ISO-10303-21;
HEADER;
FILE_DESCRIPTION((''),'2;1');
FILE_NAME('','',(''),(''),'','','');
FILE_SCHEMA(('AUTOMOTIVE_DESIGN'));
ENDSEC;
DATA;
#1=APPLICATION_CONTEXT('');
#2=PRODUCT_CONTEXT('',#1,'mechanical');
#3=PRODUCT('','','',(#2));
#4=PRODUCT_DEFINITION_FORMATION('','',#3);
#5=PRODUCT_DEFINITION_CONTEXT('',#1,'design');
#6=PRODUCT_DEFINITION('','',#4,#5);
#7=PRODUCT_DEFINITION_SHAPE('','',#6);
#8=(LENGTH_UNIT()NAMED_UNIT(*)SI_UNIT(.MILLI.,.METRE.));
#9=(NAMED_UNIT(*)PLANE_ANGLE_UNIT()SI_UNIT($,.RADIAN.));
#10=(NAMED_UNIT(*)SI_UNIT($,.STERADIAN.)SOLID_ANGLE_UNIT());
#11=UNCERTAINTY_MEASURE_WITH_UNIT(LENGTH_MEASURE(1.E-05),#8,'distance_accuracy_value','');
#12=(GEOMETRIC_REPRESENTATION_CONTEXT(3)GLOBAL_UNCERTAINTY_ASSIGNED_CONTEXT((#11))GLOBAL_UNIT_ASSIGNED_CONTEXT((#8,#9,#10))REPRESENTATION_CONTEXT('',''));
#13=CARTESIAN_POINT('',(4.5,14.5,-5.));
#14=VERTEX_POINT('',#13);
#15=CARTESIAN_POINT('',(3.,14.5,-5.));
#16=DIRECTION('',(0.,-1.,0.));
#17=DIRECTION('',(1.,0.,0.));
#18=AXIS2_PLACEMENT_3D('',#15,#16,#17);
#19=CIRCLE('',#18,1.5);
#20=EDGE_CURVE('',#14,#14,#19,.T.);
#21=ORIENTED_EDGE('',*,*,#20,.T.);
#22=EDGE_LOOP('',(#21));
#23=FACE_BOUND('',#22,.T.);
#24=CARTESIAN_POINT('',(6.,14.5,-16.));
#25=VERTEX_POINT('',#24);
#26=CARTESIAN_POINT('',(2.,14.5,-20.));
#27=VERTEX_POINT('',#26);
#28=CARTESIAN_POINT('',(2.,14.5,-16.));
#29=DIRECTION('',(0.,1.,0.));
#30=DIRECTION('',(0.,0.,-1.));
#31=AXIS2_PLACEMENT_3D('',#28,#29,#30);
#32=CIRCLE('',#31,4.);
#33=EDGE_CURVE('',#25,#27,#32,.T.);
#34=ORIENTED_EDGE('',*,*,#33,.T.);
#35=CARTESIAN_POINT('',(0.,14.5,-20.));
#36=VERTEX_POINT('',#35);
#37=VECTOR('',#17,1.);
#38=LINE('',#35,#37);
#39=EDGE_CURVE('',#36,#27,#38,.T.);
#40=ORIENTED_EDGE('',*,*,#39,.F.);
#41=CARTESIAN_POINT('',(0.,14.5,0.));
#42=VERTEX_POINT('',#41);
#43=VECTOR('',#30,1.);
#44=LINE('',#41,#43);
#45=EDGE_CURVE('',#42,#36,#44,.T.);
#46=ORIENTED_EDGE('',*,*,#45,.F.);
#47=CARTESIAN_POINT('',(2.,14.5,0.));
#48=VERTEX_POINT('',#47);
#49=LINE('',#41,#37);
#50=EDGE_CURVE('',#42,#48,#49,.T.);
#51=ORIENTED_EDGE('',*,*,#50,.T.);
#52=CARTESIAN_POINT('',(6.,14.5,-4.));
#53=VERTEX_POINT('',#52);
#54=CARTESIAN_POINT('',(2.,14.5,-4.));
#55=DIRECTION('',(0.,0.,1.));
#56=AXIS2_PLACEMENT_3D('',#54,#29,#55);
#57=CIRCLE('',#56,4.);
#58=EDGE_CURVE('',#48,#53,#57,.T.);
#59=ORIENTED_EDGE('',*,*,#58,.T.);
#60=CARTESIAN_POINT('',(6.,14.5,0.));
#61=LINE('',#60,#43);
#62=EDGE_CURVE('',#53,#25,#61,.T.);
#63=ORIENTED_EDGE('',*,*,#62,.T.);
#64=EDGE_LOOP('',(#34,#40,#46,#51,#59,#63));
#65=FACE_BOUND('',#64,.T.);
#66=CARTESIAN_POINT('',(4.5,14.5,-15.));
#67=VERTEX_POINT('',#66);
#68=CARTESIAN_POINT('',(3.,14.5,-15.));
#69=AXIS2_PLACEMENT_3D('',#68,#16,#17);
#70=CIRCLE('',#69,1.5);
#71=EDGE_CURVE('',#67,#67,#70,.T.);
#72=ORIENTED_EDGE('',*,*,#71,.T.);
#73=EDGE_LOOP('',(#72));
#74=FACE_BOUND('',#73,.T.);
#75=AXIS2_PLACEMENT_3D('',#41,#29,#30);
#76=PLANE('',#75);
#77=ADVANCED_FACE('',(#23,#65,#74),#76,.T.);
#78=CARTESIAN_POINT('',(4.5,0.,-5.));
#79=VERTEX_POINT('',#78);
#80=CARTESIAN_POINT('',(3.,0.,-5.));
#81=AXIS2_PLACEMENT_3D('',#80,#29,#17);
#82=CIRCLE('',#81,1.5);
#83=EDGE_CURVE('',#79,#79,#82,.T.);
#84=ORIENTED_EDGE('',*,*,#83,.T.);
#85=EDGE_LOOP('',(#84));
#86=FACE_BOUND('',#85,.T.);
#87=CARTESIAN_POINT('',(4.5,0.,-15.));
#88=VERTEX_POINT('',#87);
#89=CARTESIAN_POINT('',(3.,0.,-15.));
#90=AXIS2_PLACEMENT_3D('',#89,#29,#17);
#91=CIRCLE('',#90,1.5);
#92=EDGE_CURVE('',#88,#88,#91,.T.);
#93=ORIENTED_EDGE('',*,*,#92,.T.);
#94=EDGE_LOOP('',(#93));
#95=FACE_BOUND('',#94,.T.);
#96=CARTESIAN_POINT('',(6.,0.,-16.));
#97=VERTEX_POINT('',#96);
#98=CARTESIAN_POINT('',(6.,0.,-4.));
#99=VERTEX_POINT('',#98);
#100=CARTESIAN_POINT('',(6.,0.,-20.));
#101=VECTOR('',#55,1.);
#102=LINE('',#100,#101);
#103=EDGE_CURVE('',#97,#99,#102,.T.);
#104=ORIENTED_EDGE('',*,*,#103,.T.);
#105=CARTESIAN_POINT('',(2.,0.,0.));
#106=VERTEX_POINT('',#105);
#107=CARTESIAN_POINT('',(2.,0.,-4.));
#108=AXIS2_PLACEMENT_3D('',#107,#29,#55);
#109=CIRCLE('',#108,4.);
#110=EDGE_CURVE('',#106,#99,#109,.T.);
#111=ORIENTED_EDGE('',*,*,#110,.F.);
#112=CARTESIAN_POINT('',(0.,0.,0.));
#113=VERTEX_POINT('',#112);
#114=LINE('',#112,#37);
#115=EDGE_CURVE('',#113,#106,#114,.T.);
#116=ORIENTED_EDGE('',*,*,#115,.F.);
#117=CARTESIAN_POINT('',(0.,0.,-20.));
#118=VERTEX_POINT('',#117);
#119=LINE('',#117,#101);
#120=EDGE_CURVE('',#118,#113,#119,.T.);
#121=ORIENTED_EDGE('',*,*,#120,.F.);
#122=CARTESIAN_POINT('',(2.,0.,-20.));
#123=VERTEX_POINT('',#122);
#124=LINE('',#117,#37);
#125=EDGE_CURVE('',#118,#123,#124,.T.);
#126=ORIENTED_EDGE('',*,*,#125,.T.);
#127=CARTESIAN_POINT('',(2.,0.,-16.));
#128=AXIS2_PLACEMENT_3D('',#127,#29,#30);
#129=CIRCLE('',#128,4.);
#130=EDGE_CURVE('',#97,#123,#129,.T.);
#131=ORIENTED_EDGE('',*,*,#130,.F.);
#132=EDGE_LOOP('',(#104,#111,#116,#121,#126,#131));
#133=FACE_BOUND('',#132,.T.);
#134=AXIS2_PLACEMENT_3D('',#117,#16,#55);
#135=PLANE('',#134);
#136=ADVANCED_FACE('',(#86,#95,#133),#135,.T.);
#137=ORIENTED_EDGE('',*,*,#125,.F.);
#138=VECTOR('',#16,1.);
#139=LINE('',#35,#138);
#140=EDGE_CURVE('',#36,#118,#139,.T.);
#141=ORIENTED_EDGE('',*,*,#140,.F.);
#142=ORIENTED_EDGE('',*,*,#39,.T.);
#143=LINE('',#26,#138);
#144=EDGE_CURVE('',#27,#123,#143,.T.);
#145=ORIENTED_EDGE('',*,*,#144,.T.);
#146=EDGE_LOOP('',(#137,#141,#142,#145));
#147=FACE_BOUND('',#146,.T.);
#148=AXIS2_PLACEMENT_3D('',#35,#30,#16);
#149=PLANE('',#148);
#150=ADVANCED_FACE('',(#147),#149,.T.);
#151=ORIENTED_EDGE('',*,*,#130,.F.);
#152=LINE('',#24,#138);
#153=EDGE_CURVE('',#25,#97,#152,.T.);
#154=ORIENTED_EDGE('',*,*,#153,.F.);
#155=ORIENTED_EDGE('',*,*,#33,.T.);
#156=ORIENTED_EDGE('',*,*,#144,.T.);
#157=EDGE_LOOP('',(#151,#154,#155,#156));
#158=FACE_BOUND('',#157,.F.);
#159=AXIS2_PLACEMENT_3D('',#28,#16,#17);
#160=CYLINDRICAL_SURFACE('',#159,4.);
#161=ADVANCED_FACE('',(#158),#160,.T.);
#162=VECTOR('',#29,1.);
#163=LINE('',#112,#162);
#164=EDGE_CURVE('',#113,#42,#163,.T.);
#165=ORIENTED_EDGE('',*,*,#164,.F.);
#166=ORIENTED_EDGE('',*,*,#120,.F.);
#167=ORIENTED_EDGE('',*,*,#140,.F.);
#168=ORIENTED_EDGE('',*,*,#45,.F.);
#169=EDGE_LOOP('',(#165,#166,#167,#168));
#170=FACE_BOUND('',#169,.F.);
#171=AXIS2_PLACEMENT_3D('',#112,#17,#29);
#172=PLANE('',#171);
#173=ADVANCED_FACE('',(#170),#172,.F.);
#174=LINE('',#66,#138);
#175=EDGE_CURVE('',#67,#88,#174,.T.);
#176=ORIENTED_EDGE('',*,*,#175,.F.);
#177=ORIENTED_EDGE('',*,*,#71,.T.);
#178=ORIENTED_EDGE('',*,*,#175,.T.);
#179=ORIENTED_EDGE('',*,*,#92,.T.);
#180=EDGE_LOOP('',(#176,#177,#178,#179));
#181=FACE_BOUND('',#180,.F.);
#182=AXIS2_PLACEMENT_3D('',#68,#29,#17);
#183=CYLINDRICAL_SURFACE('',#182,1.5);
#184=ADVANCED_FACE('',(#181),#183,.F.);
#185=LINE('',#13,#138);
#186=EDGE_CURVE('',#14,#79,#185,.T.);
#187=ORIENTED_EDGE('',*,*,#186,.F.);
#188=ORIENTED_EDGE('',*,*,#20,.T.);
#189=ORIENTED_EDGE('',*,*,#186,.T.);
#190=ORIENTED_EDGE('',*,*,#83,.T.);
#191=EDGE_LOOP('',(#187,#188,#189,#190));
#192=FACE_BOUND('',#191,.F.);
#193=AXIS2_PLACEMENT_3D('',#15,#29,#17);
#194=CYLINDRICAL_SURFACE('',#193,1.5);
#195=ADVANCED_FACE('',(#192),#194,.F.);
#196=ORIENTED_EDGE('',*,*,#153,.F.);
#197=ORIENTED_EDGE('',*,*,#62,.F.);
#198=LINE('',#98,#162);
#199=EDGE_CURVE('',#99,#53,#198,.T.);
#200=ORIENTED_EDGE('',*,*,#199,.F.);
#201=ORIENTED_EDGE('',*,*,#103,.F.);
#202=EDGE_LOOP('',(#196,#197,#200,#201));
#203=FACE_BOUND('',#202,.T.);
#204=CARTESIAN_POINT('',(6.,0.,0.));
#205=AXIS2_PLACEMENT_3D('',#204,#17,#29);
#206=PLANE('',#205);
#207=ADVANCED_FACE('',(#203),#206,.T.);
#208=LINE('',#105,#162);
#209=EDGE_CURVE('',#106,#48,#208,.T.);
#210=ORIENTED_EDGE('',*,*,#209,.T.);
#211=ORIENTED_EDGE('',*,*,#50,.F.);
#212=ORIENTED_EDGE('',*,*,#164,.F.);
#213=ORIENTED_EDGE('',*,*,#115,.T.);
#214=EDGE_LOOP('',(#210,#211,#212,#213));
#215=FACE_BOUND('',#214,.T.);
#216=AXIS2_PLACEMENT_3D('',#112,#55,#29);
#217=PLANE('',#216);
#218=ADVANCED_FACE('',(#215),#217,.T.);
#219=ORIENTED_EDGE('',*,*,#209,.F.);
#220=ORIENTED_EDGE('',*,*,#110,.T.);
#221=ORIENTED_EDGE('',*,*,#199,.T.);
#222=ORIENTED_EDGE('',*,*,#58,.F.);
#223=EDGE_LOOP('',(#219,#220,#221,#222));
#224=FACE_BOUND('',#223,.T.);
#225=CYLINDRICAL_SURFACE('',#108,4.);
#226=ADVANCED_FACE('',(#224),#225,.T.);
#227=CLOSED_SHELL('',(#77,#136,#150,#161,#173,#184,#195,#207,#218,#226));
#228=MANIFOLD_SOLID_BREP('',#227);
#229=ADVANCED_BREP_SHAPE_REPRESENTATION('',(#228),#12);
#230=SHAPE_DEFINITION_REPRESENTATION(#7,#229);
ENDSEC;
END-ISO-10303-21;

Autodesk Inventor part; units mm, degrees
ref_plane "YZ Plane" through (0, 0, 0) normal (1, 0, 0) x (0, 1, 0)
ref_plane "XZ Plane" through (0, 0, 0) normal (0, 1, 0) x (-1, 0, 0)
ref_plane "XY Plane" through (0, 0, 0) normal (0, 0, 1) x (1, 0, 0)
sketch "Sketch1" plane through (0, 0, 0) normal (1, 0, 0) x (0, 1, 0)
  line L0 (0, 0) -> (14.5, 0)
  line L1 (14.5, 0) -> (14.5, -20)
  line L2 (14.5, -20) -> (0, -20)
  line L3 (0, -20) -> (0, 0)
  dimension "d0" = 14.5
  dimension "d1" = 20
extrude "Extrusion1" add sketch "Sketch1" along normal blind 6
sketch "Sketch2" plane through (0, 14.5, 0) normal (0, 1, 0) x (1, 0, 0)
  line L0 (0, 0) -> (3, 0)
  line L1 (3, 0) -> (3, 5)
  line L2 (3, 5) -> (0, 5)
  line L3 (0, 5) -> (0, 0)
  line L4 (0, 20) -> (6, 20) projected
  line L5 (6, 20) -> (3, 20)
  line L6 (3, 20) -> (3, 15)
  line L7 (3, 15) -> (6, 15)
  line L8 (6, 15) -> (6, 20)
  circle A0 centre (3, 5) radius 1.5
  circle A1 centre (3, 15) radius 1.5
  dimension "d4" = 3
  dimension "d5" = 5
  dimension "d6" = 3
  dimension "d7" = 5
  dimension "d8" = 3
  dimension "d9" = 3
extrude "Extrusion2" cut sketch "Sketch2" against normal blind 164 contours A0 L2 L1 | L1 L2 A0 | A1 L7 L6 | L6 L7 A1
fillet "Fillet1" radius 4 2 edges at (6, 7.25, 0) (6, 7.25, -20)
properties part number "shoe_lace"
